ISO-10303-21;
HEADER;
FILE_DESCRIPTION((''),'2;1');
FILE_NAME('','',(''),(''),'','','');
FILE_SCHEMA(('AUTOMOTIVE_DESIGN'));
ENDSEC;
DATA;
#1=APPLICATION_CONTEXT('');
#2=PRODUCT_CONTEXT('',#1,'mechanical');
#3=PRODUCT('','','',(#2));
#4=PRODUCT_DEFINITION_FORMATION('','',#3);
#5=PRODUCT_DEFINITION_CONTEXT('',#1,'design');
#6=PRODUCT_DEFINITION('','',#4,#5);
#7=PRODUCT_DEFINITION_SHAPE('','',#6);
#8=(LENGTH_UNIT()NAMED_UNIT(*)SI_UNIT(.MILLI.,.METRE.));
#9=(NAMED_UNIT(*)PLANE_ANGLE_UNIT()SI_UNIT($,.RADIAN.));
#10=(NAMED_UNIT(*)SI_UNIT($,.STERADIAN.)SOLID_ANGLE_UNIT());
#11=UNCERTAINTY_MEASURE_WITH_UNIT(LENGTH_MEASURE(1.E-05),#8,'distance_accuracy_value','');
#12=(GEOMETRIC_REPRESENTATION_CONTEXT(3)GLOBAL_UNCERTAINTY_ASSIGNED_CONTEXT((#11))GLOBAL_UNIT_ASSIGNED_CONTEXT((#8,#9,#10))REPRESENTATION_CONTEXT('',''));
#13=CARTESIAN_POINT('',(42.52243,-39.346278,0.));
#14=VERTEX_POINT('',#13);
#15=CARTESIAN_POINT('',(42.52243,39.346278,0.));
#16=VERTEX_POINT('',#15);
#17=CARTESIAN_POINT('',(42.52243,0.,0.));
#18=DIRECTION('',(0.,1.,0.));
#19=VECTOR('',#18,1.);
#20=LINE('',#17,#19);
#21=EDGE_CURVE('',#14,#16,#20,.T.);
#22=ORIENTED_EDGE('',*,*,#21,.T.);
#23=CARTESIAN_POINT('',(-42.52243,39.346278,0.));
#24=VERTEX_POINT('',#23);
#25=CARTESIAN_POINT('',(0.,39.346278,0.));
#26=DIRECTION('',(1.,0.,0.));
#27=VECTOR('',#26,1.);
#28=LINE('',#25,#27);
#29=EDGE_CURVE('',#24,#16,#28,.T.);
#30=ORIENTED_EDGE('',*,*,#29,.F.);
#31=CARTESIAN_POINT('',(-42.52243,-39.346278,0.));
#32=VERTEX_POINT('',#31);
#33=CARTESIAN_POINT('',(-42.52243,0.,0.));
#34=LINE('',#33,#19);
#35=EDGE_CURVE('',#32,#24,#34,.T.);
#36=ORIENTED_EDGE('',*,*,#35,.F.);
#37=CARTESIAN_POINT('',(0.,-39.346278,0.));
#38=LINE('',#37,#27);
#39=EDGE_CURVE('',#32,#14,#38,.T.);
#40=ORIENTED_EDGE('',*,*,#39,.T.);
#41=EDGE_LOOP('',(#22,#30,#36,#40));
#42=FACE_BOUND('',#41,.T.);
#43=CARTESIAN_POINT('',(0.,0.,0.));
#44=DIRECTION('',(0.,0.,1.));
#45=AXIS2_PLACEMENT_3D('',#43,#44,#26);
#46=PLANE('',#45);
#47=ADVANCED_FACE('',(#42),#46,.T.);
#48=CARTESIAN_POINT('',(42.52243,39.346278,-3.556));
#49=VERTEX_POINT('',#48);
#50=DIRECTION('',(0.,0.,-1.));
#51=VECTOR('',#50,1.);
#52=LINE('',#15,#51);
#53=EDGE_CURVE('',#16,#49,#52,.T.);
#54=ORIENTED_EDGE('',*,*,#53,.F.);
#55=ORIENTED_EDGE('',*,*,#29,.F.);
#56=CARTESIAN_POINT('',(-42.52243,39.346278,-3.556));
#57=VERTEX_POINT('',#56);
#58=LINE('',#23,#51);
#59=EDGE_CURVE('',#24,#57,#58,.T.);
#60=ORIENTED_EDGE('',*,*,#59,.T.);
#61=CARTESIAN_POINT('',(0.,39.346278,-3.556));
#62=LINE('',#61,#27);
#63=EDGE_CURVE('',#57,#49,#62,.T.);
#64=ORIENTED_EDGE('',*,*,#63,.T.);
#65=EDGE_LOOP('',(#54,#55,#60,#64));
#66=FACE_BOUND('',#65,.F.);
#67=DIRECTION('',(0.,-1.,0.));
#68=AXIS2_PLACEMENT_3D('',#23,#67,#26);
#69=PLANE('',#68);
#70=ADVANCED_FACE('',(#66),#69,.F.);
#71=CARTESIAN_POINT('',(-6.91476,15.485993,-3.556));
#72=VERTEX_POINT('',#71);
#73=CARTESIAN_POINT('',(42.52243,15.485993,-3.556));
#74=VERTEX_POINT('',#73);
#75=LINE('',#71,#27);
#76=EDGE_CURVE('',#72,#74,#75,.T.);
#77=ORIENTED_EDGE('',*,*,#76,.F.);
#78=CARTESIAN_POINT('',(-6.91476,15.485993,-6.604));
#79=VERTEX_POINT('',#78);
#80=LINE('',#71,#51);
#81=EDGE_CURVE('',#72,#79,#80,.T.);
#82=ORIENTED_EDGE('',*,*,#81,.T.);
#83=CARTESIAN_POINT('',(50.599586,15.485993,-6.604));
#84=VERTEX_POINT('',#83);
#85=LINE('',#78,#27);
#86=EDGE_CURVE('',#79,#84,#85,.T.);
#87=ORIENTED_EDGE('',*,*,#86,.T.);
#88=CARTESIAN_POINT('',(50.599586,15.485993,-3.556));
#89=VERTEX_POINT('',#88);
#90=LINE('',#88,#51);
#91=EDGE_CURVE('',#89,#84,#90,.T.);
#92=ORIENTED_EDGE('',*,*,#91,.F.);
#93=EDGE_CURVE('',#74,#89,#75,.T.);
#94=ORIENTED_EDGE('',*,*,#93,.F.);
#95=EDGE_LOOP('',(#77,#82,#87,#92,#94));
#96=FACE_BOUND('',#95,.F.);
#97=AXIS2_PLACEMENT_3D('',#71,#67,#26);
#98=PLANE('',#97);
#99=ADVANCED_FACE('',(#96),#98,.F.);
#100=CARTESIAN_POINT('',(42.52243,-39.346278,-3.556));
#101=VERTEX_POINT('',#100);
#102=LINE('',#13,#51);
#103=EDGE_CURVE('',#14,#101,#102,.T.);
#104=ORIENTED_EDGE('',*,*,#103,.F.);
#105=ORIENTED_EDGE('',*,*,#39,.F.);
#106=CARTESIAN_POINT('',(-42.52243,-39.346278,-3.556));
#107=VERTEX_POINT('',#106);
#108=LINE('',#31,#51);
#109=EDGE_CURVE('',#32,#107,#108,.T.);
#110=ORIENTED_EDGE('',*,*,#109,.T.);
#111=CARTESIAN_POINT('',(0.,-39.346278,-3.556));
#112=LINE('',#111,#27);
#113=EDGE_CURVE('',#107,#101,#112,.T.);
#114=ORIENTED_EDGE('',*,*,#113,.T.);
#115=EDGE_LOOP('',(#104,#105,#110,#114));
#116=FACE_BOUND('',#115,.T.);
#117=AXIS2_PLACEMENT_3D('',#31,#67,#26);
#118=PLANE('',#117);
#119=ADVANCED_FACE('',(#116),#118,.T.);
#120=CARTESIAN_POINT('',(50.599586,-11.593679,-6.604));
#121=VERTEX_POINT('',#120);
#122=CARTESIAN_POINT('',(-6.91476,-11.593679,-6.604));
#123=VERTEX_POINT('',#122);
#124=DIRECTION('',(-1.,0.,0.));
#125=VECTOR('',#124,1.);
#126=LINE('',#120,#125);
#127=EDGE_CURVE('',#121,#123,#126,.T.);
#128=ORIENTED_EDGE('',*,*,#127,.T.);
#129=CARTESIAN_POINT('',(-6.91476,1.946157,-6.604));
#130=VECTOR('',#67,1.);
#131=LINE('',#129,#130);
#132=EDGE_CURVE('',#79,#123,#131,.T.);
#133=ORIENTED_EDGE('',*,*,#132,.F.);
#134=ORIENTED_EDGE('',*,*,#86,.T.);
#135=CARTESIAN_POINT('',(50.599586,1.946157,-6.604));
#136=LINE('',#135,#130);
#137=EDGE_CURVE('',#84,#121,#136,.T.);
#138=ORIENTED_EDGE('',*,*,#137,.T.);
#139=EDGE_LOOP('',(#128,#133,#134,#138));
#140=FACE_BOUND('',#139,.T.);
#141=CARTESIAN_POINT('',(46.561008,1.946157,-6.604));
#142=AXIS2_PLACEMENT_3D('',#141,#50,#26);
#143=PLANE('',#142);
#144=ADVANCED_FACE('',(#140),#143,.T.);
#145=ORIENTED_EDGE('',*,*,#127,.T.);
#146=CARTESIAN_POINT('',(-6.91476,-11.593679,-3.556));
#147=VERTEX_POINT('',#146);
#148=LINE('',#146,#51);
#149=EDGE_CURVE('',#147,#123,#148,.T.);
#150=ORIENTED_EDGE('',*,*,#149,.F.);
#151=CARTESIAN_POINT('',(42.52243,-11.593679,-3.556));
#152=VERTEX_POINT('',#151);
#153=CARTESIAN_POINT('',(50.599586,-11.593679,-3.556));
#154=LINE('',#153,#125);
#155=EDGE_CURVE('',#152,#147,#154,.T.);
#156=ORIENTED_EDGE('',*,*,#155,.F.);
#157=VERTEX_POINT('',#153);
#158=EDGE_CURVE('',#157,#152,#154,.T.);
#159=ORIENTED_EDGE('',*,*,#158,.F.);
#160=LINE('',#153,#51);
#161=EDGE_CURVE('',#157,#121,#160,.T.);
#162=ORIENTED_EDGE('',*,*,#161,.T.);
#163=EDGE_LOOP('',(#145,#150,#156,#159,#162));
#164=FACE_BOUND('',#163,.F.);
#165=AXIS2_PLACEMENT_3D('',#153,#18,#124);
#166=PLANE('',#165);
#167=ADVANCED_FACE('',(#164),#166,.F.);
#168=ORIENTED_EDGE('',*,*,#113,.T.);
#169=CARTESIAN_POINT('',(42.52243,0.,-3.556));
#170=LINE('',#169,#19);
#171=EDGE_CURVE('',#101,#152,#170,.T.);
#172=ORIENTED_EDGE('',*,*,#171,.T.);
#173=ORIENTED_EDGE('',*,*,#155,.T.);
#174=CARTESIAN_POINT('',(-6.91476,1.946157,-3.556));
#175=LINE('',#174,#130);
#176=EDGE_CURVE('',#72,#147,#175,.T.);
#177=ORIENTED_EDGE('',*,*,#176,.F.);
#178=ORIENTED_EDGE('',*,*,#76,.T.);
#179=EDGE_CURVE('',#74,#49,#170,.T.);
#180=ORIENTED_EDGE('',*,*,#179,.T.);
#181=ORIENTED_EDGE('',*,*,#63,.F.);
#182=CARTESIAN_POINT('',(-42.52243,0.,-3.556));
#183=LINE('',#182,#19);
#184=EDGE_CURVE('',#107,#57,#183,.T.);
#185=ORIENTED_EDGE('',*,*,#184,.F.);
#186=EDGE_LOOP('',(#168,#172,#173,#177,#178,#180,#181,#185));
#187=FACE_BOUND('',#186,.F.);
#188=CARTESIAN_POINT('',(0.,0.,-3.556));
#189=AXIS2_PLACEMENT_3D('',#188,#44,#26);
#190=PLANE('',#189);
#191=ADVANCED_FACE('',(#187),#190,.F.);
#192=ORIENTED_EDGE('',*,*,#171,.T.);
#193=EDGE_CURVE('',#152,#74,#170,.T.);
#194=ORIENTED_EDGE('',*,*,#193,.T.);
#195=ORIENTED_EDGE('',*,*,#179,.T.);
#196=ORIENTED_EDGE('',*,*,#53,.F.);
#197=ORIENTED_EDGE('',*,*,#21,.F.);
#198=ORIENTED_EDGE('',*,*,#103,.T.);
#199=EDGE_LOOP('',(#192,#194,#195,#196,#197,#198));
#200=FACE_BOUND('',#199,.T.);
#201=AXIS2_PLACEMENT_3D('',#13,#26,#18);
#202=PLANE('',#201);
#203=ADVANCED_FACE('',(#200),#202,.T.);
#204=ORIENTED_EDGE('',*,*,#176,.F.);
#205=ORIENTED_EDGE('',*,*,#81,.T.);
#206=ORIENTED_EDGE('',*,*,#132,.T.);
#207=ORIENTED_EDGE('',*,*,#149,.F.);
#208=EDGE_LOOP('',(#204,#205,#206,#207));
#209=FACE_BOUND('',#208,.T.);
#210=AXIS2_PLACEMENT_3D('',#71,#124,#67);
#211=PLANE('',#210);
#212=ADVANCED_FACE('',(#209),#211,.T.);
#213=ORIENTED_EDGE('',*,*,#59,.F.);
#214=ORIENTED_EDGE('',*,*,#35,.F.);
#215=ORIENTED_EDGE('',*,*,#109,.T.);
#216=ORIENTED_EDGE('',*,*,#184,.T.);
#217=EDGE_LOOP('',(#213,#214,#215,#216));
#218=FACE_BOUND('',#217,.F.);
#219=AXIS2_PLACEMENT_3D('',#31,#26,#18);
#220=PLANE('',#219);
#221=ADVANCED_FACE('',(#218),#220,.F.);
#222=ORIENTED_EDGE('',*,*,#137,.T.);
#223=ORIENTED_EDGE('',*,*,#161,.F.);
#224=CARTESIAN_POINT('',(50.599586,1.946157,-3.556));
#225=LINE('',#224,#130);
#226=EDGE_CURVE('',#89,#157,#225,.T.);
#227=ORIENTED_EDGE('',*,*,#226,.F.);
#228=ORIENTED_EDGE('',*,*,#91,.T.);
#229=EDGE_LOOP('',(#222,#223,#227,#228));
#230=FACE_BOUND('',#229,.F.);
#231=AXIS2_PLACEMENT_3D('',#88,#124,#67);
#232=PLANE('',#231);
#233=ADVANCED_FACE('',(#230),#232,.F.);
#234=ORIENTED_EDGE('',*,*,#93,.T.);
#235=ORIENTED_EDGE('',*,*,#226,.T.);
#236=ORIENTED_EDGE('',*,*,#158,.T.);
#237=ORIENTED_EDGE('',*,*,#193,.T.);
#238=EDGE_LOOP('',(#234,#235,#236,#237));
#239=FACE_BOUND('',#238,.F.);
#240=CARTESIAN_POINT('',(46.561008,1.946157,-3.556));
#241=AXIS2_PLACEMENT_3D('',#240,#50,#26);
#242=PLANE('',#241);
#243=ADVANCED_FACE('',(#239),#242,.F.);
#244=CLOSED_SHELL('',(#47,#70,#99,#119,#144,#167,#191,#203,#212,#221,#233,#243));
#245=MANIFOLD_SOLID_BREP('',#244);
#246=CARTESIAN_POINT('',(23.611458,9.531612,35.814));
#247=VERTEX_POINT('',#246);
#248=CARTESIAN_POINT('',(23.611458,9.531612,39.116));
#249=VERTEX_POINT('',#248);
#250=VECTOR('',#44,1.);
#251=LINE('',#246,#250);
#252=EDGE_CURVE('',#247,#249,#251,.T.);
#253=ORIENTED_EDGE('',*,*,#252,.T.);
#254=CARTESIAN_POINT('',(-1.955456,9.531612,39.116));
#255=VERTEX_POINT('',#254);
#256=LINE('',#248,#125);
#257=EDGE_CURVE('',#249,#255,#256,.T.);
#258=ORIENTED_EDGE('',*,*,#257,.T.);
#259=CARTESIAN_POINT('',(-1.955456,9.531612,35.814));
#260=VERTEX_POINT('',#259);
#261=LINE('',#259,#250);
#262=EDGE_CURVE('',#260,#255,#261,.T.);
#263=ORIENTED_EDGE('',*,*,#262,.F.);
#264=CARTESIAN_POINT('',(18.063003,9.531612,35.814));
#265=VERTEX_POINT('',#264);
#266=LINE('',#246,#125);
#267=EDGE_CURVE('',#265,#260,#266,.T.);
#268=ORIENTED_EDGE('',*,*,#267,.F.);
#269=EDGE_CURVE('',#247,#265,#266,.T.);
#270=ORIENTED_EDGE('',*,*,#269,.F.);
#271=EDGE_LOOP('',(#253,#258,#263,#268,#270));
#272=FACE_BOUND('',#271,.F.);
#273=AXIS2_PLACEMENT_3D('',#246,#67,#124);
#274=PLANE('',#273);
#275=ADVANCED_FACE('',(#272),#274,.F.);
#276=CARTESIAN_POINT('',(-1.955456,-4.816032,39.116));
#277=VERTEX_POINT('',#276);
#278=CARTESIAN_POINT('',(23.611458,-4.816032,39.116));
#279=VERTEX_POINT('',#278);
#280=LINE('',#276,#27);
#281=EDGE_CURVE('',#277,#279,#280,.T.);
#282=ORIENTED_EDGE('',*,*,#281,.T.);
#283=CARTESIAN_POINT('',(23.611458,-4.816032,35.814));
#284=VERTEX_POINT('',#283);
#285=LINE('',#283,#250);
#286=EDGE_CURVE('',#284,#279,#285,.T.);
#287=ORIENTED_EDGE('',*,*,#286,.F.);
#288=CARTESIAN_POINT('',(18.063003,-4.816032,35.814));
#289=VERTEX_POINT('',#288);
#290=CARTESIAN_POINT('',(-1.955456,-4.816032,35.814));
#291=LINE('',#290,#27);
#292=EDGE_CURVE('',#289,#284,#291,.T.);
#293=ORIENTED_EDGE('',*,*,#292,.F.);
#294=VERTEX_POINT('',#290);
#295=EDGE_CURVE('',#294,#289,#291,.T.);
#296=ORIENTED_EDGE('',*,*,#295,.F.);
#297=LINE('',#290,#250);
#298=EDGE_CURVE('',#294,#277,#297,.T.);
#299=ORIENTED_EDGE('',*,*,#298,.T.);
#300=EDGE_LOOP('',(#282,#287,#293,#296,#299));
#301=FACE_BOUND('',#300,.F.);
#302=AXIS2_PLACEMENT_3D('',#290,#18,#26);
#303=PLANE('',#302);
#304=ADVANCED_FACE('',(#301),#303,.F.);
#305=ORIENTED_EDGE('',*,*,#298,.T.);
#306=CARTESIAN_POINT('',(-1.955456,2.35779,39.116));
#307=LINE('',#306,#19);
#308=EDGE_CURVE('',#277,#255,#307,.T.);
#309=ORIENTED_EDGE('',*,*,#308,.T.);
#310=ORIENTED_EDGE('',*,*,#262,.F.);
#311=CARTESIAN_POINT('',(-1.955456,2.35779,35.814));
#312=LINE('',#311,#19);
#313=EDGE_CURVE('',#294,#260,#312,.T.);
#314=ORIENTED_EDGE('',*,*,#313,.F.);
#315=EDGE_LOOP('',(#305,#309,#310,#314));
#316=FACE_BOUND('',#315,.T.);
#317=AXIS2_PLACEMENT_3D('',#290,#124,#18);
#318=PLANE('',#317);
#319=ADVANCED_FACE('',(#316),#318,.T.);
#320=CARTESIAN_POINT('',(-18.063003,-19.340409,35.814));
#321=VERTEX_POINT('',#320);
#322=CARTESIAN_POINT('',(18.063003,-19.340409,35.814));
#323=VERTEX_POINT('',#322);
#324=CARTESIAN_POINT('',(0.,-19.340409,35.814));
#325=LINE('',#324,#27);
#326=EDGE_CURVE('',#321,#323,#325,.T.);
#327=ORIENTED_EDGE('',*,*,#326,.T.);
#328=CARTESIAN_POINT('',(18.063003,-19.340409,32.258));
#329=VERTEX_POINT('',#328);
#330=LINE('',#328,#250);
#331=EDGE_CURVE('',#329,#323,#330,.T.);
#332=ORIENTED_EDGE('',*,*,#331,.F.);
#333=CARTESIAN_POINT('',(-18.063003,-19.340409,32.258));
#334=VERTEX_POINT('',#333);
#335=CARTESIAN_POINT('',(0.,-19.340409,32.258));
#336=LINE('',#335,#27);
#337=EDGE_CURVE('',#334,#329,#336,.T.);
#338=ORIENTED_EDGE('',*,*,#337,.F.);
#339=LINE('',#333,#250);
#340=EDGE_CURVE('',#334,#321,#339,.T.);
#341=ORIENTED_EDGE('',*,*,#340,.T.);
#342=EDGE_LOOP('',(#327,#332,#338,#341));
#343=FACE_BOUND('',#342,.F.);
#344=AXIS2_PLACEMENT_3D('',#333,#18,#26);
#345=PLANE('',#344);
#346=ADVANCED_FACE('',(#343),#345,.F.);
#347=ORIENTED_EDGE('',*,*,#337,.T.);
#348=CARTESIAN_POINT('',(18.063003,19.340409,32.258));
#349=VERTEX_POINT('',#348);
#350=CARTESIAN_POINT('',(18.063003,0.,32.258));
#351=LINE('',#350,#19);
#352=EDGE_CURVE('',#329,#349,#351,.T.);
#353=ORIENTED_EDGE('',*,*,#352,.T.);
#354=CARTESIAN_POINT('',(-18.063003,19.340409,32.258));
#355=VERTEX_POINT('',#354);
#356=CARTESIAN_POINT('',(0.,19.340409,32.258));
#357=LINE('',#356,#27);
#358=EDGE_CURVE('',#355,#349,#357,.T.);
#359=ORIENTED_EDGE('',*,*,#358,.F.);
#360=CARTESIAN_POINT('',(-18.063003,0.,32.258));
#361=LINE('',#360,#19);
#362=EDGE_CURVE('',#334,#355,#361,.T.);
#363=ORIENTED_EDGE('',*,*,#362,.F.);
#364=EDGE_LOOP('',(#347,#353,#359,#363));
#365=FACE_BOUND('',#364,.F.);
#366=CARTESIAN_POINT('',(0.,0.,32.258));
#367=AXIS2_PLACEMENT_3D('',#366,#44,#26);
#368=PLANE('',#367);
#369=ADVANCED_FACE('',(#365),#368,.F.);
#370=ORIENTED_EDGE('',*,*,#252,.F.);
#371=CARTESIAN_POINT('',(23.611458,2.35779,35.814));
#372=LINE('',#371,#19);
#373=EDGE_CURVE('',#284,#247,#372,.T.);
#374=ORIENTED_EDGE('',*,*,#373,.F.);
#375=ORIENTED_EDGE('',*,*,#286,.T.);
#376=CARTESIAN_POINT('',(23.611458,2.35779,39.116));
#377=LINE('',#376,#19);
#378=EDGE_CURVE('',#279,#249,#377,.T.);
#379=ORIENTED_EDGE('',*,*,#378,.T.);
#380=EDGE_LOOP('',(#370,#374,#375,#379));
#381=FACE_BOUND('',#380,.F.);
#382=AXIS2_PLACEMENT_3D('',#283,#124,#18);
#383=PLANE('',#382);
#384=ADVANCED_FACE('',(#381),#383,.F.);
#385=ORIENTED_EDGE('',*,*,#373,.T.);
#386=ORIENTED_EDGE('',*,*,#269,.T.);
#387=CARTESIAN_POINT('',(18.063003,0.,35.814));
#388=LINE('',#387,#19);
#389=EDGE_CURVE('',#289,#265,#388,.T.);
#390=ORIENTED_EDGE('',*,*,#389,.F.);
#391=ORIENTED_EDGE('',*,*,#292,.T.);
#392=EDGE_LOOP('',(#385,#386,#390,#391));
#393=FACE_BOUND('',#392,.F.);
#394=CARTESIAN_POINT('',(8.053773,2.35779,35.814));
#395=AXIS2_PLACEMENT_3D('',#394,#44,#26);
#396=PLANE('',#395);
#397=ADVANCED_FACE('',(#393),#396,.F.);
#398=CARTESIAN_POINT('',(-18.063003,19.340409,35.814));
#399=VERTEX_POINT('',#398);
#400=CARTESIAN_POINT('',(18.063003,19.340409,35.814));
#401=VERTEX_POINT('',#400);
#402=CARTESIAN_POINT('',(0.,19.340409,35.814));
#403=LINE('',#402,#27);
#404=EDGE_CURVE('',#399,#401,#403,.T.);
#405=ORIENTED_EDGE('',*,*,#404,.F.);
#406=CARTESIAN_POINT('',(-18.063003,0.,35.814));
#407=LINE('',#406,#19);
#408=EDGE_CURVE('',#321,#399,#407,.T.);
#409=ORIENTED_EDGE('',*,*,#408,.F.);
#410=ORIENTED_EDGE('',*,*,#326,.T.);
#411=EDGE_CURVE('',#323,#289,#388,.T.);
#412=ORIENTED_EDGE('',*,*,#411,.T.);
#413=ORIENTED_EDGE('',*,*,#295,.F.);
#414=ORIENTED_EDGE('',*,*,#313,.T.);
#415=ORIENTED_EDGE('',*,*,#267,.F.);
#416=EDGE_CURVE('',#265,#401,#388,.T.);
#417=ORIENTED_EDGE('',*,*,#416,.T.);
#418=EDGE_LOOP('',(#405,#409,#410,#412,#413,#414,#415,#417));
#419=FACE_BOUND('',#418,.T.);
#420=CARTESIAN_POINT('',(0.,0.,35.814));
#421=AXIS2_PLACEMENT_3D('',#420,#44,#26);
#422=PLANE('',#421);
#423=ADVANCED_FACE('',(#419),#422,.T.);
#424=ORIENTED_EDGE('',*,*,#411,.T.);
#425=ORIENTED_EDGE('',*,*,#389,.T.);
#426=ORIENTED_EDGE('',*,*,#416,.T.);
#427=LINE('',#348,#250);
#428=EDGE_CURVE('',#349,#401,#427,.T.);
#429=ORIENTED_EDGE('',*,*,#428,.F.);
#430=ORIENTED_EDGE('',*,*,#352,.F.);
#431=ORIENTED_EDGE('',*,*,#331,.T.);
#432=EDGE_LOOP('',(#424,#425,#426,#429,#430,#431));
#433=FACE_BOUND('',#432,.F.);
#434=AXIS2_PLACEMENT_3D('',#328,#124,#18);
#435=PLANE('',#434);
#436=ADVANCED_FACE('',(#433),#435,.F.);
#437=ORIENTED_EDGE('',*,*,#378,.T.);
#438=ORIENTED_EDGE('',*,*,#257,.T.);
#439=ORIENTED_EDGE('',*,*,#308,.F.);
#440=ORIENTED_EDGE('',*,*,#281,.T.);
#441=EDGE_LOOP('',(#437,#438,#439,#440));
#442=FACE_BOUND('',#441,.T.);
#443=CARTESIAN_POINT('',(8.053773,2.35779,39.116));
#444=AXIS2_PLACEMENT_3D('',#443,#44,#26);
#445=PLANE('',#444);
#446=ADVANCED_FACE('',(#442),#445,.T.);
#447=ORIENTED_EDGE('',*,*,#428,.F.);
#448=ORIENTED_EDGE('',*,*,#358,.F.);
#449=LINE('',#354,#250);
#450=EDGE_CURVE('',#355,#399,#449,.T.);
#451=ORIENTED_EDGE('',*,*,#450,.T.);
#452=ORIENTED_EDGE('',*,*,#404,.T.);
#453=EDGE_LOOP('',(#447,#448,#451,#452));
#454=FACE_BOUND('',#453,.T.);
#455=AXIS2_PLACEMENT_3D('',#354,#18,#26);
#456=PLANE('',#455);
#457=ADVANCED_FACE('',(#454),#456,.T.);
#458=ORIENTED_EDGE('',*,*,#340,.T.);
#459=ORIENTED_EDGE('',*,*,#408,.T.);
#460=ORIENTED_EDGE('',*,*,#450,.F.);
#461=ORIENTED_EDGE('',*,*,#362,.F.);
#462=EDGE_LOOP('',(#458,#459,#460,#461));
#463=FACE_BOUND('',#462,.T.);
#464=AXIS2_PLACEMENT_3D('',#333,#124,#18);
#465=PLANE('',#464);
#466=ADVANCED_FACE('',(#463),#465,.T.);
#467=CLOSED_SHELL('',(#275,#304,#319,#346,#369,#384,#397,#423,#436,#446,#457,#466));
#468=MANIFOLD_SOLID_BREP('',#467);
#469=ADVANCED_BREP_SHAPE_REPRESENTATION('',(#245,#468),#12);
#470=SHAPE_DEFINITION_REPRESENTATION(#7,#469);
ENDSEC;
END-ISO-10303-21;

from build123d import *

# Parameters (mm, degrees)
F2_W     = 36.126006
F2_H     = 38.680818
F3_DEPTH = 3.556
F0_W     = 85.04486
F0_H     = 78.692556
F4_DEPTH = 3.556
F5_W     = 20.018459
F5_H     = 14.347644
F5_W_2   = 5.548455
F6_DEPTH = 3.302
F7_W     = 8.077156
F7_H     = 27.079672
F7_W_2   = 49.43719
F8_DEPTH = 3.048


with BuildPart() as f3:
    # F2 (on offset) → F3 (new body)
    with BuildSketch(Plane.XY.offset(32.258)):
        Rectangle(F2_W, F2_H)
    extrude(amount=F3_DEPTH)

    # F5 (on face) → F6 (join)
    with BuildSketch(Plane.XY.offset(35.814)):
        with Locations((8.053773, 2.35779)):
            Rectangle(F5_W, F5_H)
        with Locations((20.83723, 2.35779)):
            Rectangle(F5_W_2, F5_H)
    extrude(amount=F6_DEPTH)


with BuildPart() as f4:
    # F0 (on Top) → F4 (new body)
    with BuildSketch(Plane.XY):
        Rectangle(F0_W, F0_H)
    extrude(amount=-F4_DEPTH)

    # F7 (on face) → F8 (join)
    with BuildSketch(Plane(origin=(0, 0, -3.556), x_dir=(1, 0, 0), z_dir=(0, 0, -1))):
        with Locations((46.561008, -1.946157)):
            Rectangle(F7_W, F7_H)
        with Locations((17.803835, -1.946157)):
            Rectangle(F7_W_2, F7_H)
    extrude(amount=F8_DEPTH)


solid = Compound([f3.part, f4.part])
